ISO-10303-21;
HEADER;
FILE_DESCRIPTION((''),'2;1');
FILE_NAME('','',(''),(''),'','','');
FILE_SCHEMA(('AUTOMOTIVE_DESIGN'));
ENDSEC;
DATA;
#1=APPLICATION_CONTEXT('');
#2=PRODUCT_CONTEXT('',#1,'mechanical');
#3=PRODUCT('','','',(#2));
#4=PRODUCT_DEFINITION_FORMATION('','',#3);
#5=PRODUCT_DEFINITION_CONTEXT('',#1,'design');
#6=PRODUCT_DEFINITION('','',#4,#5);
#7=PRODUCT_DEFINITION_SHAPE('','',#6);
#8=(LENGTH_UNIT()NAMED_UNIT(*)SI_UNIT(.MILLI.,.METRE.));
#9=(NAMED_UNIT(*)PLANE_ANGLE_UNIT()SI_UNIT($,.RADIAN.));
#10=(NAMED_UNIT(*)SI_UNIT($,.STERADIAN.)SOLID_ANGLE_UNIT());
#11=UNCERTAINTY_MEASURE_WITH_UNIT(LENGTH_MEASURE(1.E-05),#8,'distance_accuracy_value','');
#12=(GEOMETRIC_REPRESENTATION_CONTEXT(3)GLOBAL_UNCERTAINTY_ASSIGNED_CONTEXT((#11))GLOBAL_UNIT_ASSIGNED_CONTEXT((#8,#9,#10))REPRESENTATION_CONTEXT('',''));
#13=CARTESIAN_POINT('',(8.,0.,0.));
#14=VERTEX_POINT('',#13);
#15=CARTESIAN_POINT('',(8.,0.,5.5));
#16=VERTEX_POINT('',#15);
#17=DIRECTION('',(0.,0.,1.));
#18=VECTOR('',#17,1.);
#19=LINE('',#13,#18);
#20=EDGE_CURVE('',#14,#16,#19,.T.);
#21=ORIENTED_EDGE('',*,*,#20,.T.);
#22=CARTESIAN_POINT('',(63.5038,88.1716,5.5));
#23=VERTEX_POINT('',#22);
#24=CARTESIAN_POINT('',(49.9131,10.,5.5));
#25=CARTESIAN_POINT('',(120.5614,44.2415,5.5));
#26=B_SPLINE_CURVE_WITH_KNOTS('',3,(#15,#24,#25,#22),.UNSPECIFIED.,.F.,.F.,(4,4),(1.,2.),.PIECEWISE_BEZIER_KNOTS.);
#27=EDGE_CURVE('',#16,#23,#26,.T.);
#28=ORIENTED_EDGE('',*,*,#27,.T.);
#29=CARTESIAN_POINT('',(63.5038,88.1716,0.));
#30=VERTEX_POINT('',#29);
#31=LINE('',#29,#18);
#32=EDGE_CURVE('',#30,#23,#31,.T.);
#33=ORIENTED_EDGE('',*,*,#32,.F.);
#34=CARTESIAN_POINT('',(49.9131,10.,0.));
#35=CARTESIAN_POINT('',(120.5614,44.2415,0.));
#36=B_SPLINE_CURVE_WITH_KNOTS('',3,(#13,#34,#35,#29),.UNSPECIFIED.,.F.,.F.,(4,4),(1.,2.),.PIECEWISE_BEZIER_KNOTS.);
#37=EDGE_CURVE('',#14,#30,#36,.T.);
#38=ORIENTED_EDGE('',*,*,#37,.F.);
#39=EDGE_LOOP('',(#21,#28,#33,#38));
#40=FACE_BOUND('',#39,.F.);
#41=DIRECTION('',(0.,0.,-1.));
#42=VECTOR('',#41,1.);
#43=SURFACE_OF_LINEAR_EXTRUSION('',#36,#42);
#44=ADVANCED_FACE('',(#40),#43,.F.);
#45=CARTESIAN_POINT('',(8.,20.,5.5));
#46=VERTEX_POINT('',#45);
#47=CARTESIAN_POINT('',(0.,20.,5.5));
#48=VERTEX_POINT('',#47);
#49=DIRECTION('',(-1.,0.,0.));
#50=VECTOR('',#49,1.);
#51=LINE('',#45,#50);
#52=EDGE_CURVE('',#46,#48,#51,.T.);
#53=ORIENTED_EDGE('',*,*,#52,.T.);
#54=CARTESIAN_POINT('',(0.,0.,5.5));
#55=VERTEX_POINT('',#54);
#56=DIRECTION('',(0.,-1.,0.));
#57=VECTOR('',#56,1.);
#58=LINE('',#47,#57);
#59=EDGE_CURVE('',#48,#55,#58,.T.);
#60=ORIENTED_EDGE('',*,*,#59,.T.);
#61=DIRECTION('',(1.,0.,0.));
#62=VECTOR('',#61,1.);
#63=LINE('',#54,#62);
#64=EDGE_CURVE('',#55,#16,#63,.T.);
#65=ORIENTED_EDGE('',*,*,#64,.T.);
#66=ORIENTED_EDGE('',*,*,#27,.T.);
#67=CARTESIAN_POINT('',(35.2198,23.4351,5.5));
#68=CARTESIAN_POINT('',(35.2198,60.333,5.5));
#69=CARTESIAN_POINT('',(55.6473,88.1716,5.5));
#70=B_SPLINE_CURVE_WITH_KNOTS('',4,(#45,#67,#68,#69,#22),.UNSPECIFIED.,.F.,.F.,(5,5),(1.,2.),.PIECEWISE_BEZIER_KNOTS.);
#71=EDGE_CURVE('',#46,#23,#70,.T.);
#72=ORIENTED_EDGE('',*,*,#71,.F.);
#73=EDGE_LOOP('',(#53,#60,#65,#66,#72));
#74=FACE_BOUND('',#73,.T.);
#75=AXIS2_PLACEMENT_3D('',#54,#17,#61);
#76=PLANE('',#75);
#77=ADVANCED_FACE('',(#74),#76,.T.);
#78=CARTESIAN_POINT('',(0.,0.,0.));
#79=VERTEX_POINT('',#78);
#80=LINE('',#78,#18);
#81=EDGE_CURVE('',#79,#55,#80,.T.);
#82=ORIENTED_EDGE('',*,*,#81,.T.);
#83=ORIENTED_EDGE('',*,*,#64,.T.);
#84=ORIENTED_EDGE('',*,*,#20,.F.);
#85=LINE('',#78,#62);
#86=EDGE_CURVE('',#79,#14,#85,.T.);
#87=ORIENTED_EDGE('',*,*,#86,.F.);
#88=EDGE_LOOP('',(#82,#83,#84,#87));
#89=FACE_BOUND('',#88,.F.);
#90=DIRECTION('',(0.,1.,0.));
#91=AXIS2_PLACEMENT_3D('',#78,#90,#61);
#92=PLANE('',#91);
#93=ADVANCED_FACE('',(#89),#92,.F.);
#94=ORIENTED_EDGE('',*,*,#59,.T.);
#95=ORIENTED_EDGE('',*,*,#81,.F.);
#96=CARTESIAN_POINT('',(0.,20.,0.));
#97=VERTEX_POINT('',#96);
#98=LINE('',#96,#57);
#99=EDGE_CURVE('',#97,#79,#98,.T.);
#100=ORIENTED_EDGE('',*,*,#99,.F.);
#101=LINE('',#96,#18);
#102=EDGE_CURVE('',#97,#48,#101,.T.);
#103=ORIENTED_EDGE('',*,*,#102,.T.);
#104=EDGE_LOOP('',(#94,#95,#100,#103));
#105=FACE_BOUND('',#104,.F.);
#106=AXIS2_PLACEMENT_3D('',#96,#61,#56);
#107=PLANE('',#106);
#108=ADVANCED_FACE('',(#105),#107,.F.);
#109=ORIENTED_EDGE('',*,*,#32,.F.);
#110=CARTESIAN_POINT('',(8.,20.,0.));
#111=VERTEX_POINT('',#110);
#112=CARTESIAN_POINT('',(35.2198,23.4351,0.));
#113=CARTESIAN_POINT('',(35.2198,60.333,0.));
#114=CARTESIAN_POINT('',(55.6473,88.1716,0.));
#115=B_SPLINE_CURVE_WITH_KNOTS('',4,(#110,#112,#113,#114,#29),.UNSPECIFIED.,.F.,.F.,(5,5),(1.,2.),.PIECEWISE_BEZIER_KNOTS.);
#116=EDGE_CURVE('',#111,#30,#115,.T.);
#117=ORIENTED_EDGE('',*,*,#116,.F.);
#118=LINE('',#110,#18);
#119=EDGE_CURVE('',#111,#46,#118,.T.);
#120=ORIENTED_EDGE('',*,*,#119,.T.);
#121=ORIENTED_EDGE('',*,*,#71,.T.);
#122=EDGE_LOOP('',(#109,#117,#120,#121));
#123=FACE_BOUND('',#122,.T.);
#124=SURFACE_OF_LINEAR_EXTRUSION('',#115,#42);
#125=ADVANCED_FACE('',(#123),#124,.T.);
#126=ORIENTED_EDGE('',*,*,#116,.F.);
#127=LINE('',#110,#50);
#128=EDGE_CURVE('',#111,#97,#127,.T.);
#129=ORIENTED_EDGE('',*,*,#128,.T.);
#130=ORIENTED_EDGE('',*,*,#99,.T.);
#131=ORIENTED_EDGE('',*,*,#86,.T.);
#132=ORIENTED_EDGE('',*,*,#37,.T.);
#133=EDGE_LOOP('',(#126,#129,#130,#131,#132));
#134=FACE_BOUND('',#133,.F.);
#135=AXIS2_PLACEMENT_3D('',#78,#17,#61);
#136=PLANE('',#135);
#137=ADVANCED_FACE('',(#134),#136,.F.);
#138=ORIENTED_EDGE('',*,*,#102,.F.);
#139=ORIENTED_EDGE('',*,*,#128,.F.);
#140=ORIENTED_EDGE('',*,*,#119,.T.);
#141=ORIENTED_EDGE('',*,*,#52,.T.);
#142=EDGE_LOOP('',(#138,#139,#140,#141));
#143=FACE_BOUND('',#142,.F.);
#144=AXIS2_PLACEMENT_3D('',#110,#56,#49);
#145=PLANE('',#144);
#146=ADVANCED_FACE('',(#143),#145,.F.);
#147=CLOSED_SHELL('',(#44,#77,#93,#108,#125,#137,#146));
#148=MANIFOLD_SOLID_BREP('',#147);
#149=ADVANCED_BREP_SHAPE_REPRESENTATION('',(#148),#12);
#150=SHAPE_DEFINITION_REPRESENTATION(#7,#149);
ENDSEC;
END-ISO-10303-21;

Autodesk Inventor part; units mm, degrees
ref_plane "YZ Plane" through (0, 0, 0) normal (1, 0, 0) x (0, 1, 0)
ref_plane "XZ Plane" through (0, 0, 0) normal (0, 1, 0) x (-1, 0, 0)
ref_plane "XY Plane" through (0, 0, 0) normal (0, 0, 1) x (1, 0, 0)
sketch "Sketch1" plane through (0, 0, 0) normal (0, 0, 1) x (1, 0, 0)
  line L0 (0, 0) -> (8, 0)
  line L1 (8, 20) -> (0, 20)
  line L2 (0, 20) -> (0, 0)
  line L3 (8, 0) -> (49.9131, 10) construction
  line L4 (49.9131, 10) -> (120.5614, 44.2415) construction
  line L5 (120.5614, 44.2415) -> (63.5038, 88.1716) construction
  spline S0 degree 3 poles (8, 0) (49.9131, 10) (120.5614, 44.2415) (63.5038, 88.1716) knots 1 1 1 1 2 2 2 2
  line L6 (8, 20) -> (35.2198, 23.4351) construction
  line L7 (35.2198, 23.4351) -> (35.2198, 60.333) construction
  line L8 (35.2198, 60.333) -> (55.6473, 88.1716) construction
  line L9 (55.6473, 88.1716) -> (63.5038, 88.1716) construction
  spline S1 degree 4 poles (8, 20) (35.2198, 23.4351) (35.2198, 60.333) (55.6473, 88.1716) (63.5038, 88.1716) knots 1 1 1 1 1 2 2 2 2 2
  dimension "d6" = 8
extrude "Extrusion1" add sketch "Sketch1" along normal blind 5.5
properties part number "cola"
